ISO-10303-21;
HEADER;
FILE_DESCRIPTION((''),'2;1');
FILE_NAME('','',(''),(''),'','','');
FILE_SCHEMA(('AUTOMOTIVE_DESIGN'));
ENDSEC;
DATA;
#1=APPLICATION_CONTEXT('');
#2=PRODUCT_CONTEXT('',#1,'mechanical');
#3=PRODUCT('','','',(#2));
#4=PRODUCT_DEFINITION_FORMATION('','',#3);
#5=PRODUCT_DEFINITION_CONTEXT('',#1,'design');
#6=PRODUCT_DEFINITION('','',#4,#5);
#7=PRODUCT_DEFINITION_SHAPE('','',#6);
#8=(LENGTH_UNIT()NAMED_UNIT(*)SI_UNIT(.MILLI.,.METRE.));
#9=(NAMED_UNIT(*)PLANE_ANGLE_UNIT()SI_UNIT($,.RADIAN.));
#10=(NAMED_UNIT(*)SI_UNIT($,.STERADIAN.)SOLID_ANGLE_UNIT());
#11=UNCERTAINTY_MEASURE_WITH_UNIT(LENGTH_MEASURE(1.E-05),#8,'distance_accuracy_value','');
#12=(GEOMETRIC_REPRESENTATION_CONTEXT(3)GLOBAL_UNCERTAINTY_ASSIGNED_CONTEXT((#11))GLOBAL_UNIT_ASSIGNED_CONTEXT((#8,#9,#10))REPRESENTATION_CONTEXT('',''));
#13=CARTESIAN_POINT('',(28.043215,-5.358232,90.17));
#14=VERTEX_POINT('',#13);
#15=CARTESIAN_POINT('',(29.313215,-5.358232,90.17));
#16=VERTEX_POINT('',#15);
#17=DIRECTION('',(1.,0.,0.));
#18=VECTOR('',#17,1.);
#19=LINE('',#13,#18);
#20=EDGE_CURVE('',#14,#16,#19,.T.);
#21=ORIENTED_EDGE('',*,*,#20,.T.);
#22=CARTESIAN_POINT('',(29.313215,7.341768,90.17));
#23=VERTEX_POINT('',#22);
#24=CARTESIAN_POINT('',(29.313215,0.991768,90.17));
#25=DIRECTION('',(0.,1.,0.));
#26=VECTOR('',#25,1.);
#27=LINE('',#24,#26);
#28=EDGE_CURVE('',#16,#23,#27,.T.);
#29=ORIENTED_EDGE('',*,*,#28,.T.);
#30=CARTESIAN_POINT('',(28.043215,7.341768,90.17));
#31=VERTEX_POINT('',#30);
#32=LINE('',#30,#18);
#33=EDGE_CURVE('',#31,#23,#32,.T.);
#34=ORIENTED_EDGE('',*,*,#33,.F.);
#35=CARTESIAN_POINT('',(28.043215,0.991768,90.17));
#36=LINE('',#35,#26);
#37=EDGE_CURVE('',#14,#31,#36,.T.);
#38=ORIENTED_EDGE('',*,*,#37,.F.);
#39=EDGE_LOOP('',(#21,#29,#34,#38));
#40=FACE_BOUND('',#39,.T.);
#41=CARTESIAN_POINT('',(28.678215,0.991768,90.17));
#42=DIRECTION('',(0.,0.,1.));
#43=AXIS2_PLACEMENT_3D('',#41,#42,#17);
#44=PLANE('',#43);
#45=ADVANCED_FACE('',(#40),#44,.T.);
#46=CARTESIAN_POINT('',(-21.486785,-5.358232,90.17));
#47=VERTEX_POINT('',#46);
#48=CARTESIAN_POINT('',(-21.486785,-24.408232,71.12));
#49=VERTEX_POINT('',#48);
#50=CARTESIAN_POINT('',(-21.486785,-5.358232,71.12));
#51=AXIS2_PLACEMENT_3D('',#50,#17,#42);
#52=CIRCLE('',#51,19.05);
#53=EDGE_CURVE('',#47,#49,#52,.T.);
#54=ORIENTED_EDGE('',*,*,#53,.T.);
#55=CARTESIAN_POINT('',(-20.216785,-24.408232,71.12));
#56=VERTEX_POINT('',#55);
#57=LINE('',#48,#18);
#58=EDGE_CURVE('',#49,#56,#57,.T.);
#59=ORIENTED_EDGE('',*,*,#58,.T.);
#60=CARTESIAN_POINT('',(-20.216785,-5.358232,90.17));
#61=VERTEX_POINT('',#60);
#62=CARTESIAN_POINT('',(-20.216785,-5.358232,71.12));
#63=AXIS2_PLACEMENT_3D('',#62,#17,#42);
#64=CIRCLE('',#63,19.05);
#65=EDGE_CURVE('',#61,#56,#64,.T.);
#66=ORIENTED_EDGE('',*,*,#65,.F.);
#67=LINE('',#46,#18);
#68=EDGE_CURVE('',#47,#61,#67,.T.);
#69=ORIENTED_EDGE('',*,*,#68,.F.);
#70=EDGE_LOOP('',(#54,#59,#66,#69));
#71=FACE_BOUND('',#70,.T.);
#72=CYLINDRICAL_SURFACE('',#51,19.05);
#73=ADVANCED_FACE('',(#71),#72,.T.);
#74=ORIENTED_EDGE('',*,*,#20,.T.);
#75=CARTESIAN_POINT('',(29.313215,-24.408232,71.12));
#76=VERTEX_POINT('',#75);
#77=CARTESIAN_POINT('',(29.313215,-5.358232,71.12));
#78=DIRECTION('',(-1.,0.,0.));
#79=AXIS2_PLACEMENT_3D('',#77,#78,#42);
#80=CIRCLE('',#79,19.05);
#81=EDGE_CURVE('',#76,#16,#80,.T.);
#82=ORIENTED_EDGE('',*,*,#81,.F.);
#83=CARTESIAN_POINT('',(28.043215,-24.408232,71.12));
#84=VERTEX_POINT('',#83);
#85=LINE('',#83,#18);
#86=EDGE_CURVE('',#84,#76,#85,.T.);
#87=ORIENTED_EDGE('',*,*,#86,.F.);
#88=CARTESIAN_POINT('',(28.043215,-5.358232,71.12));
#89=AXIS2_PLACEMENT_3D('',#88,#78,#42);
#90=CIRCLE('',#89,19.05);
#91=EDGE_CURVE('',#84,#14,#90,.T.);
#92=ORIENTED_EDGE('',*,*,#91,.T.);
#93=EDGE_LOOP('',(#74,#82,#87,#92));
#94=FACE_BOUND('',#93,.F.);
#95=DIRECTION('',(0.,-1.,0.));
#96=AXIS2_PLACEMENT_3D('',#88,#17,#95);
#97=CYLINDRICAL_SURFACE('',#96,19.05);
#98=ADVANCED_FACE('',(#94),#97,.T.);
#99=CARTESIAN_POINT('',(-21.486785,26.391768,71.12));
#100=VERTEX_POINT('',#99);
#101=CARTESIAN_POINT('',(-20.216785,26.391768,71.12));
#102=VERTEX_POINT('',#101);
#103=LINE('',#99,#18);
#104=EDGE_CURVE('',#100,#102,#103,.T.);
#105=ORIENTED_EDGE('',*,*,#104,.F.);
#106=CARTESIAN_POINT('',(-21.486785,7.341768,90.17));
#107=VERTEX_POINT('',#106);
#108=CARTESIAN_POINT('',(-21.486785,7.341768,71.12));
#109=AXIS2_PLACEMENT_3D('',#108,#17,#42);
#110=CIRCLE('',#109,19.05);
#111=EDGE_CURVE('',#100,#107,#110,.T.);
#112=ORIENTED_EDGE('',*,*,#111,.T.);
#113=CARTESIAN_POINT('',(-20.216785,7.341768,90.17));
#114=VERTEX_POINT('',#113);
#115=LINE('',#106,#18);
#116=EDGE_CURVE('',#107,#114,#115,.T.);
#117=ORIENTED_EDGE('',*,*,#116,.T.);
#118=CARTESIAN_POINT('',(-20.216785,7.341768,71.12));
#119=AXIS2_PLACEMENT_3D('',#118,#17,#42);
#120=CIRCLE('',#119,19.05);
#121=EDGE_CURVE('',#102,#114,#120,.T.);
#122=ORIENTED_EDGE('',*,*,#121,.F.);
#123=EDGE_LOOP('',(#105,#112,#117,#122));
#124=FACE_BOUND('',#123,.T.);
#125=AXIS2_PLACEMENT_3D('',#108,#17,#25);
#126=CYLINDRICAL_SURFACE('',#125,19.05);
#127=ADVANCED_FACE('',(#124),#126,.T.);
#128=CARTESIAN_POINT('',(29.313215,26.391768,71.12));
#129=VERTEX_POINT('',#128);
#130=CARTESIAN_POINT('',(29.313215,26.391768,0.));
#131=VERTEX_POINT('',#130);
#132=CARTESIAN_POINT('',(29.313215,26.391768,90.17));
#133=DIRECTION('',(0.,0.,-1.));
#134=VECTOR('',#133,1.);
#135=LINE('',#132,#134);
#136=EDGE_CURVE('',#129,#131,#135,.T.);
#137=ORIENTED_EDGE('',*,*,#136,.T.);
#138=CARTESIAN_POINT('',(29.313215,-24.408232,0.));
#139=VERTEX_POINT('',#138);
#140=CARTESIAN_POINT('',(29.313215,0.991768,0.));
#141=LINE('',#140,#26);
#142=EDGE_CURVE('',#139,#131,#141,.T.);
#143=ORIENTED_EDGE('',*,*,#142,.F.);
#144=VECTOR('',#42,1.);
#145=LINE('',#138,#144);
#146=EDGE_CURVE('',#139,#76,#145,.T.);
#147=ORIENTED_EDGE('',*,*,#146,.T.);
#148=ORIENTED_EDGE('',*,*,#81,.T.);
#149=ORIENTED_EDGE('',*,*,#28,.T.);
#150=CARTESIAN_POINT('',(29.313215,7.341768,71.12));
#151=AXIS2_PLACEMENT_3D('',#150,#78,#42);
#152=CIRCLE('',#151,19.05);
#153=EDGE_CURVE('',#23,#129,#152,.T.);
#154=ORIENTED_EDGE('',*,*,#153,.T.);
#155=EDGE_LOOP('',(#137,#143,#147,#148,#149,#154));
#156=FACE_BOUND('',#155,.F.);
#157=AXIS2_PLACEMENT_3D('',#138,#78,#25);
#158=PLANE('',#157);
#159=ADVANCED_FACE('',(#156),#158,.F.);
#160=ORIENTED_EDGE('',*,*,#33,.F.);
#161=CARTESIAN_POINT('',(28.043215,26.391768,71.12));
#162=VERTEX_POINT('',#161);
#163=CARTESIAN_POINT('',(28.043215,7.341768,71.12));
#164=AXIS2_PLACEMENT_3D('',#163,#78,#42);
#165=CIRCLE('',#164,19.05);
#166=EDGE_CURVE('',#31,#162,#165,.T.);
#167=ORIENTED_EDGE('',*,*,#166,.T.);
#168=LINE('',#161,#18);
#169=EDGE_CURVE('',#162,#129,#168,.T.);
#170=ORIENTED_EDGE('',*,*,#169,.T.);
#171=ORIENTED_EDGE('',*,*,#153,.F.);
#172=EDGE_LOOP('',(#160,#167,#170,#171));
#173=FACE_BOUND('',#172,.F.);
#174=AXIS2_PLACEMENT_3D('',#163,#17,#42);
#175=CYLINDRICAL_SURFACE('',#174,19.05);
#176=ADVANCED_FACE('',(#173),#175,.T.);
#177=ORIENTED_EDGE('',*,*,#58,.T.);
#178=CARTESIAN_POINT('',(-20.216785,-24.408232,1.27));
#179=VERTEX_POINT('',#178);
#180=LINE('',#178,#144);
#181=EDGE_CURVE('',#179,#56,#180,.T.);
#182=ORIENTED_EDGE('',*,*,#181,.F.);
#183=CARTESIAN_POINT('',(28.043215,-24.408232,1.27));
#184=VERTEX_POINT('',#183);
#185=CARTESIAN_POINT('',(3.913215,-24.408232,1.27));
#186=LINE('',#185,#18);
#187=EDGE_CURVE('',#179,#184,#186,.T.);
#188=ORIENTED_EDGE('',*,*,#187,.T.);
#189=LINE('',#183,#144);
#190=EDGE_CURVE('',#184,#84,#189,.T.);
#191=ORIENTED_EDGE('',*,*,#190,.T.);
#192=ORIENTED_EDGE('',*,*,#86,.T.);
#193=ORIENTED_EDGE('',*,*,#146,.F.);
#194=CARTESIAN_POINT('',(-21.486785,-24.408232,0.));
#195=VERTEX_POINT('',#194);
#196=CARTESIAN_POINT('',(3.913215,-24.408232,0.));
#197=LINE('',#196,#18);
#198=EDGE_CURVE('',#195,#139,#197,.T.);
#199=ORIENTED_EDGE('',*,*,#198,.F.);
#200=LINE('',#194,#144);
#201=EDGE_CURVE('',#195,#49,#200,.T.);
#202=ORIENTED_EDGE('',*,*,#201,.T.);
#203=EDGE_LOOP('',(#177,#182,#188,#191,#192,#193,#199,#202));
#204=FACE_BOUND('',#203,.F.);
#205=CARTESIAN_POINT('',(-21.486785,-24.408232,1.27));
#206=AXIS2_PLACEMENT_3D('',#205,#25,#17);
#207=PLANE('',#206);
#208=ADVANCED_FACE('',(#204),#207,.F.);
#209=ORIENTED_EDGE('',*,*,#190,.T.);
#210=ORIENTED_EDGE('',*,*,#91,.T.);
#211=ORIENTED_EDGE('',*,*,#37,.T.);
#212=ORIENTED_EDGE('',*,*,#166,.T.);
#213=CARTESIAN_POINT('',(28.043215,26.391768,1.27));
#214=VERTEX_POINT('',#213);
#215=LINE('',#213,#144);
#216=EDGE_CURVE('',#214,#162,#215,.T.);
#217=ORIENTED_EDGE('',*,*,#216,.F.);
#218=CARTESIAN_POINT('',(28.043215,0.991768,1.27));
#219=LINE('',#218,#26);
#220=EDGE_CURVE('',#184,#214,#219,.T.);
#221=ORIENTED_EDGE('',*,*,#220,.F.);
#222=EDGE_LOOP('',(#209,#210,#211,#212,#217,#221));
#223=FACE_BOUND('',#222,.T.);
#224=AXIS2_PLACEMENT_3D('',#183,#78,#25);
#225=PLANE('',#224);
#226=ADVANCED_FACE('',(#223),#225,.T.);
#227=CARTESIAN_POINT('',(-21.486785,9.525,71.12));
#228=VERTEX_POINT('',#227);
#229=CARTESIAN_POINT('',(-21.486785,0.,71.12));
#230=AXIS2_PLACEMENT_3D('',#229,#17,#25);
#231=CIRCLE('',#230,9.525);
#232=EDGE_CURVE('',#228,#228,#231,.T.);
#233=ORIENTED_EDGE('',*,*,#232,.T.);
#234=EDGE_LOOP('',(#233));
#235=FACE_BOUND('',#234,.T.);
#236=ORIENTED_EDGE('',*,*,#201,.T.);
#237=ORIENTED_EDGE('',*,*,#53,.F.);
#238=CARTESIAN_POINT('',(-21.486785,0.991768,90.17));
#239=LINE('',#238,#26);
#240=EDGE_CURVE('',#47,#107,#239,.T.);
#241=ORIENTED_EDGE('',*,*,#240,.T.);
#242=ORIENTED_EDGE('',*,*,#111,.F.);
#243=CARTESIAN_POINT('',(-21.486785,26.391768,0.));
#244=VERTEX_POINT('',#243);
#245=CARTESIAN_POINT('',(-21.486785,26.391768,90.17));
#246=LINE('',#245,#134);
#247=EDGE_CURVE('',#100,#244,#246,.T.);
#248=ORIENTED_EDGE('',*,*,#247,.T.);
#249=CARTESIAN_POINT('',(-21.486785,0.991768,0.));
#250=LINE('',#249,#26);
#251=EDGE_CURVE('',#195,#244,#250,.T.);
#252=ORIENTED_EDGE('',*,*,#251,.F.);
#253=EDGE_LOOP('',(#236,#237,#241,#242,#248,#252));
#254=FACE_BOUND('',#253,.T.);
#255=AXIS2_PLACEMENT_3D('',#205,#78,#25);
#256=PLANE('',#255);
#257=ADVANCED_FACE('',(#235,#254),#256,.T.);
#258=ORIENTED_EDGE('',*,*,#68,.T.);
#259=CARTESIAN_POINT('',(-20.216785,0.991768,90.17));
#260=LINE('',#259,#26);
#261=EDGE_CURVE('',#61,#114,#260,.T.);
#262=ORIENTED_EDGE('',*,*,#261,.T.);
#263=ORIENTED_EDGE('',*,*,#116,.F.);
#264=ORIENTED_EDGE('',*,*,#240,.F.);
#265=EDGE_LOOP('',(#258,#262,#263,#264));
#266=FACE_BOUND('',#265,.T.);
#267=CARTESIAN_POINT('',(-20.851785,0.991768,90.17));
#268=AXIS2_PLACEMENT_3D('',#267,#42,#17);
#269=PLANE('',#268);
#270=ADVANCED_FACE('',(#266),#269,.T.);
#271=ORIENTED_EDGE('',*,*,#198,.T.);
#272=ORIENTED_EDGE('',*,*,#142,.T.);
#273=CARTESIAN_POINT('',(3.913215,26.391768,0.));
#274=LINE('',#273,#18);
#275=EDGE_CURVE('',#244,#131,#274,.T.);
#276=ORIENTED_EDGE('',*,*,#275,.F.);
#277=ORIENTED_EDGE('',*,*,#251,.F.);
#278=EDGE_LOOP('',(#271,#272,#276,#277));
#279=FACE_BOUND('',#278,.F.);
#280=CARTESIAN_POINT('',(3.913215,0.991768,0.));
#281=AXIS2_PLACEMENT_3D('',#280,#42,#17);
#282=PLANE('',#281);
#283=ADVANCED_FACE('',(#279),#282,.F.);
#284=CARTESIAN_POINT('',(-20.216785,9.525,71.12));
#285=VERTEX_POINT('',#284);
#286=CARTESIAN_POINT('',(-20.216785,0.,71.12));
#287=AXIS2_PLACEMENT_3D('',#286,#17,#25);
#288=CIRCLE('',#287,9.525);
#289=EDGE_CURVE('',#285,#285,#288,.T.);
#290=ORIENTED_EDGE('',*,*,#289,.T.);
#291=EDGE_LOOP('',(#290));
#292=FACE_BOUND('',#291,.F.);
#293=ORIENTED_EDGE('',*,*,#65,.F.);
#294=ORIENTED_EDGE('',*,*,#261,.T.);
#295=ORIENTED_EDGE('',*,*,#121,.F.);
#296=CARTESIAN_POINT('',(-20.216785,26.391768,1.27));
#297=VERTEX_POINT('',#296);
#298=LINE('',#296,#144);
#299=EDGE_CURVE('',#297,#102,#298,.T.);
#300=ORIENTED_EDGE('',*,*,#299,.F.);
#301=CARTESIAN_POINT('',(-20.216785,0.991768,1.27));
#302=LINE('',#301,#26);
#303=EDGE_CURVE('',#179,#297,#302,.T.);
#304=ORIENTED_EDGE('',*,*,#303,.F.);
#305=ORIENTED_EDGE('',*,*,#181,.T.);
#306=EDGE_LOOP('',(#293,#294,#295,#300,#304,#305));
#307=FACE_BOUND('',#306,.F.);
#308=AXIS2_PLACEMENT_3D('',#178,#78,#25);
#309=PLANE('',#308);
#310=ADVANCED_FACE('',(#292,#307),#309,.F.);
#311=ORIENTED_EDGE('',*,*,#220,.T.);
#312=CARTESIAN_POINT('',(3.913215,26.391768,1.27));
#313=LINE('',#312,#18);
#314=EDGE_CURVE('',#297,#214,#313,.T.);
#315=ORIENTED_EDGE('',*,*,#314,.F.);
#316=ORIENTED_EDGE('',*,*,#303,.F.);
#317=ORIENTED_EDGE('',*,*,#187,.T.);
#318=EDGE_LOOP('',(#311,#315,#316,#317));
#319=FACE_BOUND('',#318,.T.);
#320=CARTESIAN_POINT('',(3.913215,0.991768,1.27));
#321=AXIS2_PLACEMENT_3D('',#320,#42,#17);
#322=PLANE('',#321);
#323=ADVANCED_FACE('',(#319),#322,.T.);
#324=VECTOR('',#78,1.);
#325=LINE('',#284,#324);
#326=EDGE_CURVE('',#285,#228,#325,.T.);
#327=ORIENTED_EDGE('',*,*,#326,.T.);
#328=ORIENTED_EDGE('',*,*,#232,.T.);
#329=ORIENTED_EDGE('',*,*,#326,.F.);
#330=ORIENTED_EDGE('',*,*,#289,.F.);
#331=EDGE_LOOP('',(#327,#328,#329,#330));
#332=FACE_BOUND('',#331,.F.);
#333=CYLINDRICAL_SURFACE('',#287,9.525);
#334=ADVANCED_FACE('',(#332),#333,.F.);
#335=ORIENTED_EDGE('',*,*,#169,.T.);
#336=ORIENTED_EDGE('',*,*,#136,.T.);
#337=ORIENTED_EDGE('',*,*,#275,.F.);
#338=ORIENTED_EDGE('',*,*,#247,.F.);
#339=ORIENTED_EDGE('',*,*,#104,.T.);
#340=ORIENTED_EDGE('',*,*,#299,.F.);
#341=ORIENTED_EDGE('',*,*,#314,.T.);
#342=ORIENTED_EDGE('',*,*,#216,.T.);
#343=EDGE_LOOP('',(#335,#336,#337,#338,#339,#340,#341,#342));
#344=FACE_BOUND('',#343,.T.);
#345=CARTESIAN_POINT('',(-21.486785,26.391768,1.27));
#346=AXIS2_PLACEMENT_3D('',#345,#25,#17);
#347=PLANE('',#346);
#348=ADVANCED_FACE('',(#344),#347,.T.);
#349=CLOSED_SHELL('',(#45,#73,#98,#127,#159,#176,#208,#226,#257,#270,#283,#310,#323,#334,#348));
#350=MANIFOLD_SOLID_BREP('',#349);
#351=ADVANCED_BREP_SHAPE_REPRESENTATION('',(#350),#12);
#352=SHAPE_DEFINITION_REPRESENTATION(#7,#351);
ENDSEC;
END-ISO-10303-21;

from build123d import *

# Parameters (mm, degrees)
F0_W     = 50.8
F0_H     = 50.8
F1_DEPTH = 1.27
F2_W     = 1.27
F2_H     = 50.8
F3_DEPTH = 88.9
F4_R     = 19.05
F5_R     = 19.05
F7_D     = 19.05
F7_DEPTH = 1.271


with BuildPart() as f1:
    # F0 (on Top) → F1 (new body)
    with BuildSketch(Plane.XY):
        with Locations((3.9132147372, 0.9917675793)):
            Rectangle(F0_W, F0_H)
    extrude(amount=F1_DEPTH)

    # F2 (on face) → F3 (join)
    with BuildSketch(Plane.XY.offset(1.27)):
        with Locations((-20.8517852628, 0.9917675793)):
            Rectangle(F2_W, F2_H)
        with Locations((28.6782147372, 0.9917675793)):
            Rectangle(F2_W, F2_H)
    extrude(amount=F3_DEPTH)

    # F4
    f4_edges = [f1.edges().sort_by_distance(p)[0] for p in [
        (28.678215, 26.391768, 90.17),
        (-20.851785, 26.391768, 90.17),
    ]]
    fillet(f4_edges, radius=F4_R)

    # F5
    f5_edges = [f1.edges().sort_by_distance(p)[0] for p in [
        (-20.851785, -24.408232, 90.17),
        (28.678215, -24.408232, 90.17),
    ]]
    fillet(f5_edges, radius=F5_R)

    # F7 (through all, one way)
    with BuildSketch(Plane.YZ.offset(-20.2167852628)):
        with Locations((0, 71.12)):
            Circle(F7_D / 2)
    extrude(amount=-F7_DEPTH, mode=Mode.SUBTRACT)


solid = f1.part
